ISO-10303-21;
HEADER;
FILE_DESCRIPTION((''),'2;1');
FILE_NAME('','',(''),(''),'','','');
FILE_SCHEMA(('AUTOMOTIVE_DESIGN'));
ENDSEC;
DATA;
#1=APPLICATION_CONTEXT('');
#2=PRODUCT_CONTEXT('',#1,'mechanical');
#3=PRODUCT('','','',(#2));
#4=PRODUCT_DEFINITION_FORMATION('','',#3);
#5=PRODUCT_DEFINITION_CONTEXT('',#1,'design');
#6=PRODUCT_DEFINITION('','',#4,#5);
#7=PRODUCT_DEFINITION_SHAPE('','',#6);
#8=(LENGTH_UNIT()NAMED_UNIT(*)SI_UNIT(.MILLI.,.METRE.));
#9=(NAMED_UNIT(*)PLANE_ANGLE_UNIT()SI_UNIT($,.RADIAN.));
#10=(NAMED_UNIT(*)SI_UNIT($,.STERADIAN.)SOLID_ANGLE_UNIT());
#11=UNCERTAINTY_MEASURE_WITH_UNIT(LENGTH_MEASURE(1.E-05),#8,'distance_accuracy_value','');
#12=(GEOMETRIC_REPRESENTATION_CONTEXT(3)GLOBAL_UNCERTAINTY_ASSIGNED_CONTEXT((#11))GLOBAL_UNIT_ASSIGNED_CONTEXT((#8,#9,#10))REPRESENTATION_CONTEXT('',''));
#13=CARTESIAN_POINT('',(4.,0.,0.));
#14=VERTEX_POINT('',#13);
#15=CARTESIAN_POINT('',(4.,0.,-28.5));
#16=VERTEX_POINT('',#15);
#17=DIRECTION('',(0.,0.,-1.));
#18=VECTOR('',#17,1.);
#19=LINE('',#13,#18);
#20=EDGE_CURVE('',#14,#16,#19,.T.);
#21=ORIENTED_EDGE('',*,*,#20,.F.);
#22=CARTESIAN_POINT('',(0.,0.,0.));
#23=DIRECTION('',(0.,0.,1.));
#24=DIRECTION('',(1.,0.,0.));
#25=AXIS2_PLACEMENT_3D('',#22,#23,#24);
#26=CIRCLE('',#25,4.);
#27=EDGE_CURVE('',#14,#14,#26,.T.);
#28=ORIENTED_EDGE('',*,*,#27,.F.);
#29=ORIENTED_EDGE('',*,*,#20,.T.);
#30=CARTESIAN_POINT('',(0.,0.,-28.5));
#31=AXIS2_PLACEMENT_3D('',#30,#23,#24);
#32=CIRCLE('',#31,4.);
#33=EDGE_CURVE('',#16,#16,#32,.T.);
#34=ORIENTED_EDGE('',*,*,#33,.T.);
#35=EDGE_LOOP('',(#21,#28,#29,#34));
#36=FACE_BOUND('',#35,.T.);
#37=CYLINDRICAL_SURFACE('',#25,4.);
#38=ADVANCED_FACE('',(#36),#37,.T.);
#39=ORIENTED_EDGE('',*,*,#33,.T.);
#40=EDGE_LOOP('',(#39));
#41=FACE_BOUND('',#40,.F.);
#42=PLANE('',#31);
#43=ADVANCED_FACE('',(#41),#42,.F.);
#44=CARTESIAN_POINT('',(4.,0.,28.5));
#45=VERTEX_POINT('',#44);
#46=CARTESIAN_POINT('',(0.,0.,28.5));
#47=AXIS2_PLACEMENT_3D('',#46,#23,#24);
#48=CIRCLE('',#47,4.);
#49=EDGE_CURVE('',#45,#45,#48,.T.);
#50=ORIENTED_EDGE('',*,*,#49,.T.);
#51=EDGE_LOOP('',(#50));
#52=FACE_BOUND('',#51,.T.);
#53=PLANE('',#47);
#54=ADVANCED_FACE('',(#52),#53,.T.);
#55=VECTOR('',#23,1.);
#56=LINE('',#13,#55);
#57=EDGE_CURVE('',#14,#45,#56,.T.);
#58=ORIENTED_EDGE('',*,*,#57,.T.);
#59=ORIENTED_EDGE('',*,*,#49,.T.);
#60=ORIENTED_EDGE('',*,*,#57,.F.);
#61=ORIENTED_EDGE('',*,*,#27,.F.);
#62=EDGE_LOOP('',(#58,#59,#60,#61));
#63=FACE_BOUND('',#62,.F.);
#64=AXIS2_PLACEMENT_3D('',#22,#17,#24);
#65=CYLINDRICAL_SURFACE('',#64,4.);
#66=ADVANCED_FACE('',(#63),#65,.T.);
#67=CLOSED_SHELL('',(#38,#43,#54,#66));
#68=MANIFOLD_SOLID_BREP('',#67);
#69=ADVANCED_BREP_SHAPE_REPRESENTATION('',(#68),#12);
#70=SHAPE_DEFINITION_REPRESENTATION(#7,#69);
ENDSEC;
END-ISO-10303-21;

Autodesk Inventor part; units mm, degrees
ref_plane "YZ Plane" through (0, 0, 0) normal (1, 0, 0) x (0, 1, 0)
ref_plane "XZ Plane" through (0, 0, 0) normal (0, 1, 0) x (-1, 0, 0)
ref_plane "XY Plane" through (0, 0, 0) normal (0, 0, 1) x (1, 0, 0)
sketch "Sketch1" plane through (0, 0, 0) normal (0, 0, 1) x (1, 0, 0)
  circle A0 centre (0, 0) radius 4
  dimension "d0" = 8
extrude "Extrusion1" add sketch "Sketch1" along normal mid plane 57
properties part number "Big Socket Extension"
